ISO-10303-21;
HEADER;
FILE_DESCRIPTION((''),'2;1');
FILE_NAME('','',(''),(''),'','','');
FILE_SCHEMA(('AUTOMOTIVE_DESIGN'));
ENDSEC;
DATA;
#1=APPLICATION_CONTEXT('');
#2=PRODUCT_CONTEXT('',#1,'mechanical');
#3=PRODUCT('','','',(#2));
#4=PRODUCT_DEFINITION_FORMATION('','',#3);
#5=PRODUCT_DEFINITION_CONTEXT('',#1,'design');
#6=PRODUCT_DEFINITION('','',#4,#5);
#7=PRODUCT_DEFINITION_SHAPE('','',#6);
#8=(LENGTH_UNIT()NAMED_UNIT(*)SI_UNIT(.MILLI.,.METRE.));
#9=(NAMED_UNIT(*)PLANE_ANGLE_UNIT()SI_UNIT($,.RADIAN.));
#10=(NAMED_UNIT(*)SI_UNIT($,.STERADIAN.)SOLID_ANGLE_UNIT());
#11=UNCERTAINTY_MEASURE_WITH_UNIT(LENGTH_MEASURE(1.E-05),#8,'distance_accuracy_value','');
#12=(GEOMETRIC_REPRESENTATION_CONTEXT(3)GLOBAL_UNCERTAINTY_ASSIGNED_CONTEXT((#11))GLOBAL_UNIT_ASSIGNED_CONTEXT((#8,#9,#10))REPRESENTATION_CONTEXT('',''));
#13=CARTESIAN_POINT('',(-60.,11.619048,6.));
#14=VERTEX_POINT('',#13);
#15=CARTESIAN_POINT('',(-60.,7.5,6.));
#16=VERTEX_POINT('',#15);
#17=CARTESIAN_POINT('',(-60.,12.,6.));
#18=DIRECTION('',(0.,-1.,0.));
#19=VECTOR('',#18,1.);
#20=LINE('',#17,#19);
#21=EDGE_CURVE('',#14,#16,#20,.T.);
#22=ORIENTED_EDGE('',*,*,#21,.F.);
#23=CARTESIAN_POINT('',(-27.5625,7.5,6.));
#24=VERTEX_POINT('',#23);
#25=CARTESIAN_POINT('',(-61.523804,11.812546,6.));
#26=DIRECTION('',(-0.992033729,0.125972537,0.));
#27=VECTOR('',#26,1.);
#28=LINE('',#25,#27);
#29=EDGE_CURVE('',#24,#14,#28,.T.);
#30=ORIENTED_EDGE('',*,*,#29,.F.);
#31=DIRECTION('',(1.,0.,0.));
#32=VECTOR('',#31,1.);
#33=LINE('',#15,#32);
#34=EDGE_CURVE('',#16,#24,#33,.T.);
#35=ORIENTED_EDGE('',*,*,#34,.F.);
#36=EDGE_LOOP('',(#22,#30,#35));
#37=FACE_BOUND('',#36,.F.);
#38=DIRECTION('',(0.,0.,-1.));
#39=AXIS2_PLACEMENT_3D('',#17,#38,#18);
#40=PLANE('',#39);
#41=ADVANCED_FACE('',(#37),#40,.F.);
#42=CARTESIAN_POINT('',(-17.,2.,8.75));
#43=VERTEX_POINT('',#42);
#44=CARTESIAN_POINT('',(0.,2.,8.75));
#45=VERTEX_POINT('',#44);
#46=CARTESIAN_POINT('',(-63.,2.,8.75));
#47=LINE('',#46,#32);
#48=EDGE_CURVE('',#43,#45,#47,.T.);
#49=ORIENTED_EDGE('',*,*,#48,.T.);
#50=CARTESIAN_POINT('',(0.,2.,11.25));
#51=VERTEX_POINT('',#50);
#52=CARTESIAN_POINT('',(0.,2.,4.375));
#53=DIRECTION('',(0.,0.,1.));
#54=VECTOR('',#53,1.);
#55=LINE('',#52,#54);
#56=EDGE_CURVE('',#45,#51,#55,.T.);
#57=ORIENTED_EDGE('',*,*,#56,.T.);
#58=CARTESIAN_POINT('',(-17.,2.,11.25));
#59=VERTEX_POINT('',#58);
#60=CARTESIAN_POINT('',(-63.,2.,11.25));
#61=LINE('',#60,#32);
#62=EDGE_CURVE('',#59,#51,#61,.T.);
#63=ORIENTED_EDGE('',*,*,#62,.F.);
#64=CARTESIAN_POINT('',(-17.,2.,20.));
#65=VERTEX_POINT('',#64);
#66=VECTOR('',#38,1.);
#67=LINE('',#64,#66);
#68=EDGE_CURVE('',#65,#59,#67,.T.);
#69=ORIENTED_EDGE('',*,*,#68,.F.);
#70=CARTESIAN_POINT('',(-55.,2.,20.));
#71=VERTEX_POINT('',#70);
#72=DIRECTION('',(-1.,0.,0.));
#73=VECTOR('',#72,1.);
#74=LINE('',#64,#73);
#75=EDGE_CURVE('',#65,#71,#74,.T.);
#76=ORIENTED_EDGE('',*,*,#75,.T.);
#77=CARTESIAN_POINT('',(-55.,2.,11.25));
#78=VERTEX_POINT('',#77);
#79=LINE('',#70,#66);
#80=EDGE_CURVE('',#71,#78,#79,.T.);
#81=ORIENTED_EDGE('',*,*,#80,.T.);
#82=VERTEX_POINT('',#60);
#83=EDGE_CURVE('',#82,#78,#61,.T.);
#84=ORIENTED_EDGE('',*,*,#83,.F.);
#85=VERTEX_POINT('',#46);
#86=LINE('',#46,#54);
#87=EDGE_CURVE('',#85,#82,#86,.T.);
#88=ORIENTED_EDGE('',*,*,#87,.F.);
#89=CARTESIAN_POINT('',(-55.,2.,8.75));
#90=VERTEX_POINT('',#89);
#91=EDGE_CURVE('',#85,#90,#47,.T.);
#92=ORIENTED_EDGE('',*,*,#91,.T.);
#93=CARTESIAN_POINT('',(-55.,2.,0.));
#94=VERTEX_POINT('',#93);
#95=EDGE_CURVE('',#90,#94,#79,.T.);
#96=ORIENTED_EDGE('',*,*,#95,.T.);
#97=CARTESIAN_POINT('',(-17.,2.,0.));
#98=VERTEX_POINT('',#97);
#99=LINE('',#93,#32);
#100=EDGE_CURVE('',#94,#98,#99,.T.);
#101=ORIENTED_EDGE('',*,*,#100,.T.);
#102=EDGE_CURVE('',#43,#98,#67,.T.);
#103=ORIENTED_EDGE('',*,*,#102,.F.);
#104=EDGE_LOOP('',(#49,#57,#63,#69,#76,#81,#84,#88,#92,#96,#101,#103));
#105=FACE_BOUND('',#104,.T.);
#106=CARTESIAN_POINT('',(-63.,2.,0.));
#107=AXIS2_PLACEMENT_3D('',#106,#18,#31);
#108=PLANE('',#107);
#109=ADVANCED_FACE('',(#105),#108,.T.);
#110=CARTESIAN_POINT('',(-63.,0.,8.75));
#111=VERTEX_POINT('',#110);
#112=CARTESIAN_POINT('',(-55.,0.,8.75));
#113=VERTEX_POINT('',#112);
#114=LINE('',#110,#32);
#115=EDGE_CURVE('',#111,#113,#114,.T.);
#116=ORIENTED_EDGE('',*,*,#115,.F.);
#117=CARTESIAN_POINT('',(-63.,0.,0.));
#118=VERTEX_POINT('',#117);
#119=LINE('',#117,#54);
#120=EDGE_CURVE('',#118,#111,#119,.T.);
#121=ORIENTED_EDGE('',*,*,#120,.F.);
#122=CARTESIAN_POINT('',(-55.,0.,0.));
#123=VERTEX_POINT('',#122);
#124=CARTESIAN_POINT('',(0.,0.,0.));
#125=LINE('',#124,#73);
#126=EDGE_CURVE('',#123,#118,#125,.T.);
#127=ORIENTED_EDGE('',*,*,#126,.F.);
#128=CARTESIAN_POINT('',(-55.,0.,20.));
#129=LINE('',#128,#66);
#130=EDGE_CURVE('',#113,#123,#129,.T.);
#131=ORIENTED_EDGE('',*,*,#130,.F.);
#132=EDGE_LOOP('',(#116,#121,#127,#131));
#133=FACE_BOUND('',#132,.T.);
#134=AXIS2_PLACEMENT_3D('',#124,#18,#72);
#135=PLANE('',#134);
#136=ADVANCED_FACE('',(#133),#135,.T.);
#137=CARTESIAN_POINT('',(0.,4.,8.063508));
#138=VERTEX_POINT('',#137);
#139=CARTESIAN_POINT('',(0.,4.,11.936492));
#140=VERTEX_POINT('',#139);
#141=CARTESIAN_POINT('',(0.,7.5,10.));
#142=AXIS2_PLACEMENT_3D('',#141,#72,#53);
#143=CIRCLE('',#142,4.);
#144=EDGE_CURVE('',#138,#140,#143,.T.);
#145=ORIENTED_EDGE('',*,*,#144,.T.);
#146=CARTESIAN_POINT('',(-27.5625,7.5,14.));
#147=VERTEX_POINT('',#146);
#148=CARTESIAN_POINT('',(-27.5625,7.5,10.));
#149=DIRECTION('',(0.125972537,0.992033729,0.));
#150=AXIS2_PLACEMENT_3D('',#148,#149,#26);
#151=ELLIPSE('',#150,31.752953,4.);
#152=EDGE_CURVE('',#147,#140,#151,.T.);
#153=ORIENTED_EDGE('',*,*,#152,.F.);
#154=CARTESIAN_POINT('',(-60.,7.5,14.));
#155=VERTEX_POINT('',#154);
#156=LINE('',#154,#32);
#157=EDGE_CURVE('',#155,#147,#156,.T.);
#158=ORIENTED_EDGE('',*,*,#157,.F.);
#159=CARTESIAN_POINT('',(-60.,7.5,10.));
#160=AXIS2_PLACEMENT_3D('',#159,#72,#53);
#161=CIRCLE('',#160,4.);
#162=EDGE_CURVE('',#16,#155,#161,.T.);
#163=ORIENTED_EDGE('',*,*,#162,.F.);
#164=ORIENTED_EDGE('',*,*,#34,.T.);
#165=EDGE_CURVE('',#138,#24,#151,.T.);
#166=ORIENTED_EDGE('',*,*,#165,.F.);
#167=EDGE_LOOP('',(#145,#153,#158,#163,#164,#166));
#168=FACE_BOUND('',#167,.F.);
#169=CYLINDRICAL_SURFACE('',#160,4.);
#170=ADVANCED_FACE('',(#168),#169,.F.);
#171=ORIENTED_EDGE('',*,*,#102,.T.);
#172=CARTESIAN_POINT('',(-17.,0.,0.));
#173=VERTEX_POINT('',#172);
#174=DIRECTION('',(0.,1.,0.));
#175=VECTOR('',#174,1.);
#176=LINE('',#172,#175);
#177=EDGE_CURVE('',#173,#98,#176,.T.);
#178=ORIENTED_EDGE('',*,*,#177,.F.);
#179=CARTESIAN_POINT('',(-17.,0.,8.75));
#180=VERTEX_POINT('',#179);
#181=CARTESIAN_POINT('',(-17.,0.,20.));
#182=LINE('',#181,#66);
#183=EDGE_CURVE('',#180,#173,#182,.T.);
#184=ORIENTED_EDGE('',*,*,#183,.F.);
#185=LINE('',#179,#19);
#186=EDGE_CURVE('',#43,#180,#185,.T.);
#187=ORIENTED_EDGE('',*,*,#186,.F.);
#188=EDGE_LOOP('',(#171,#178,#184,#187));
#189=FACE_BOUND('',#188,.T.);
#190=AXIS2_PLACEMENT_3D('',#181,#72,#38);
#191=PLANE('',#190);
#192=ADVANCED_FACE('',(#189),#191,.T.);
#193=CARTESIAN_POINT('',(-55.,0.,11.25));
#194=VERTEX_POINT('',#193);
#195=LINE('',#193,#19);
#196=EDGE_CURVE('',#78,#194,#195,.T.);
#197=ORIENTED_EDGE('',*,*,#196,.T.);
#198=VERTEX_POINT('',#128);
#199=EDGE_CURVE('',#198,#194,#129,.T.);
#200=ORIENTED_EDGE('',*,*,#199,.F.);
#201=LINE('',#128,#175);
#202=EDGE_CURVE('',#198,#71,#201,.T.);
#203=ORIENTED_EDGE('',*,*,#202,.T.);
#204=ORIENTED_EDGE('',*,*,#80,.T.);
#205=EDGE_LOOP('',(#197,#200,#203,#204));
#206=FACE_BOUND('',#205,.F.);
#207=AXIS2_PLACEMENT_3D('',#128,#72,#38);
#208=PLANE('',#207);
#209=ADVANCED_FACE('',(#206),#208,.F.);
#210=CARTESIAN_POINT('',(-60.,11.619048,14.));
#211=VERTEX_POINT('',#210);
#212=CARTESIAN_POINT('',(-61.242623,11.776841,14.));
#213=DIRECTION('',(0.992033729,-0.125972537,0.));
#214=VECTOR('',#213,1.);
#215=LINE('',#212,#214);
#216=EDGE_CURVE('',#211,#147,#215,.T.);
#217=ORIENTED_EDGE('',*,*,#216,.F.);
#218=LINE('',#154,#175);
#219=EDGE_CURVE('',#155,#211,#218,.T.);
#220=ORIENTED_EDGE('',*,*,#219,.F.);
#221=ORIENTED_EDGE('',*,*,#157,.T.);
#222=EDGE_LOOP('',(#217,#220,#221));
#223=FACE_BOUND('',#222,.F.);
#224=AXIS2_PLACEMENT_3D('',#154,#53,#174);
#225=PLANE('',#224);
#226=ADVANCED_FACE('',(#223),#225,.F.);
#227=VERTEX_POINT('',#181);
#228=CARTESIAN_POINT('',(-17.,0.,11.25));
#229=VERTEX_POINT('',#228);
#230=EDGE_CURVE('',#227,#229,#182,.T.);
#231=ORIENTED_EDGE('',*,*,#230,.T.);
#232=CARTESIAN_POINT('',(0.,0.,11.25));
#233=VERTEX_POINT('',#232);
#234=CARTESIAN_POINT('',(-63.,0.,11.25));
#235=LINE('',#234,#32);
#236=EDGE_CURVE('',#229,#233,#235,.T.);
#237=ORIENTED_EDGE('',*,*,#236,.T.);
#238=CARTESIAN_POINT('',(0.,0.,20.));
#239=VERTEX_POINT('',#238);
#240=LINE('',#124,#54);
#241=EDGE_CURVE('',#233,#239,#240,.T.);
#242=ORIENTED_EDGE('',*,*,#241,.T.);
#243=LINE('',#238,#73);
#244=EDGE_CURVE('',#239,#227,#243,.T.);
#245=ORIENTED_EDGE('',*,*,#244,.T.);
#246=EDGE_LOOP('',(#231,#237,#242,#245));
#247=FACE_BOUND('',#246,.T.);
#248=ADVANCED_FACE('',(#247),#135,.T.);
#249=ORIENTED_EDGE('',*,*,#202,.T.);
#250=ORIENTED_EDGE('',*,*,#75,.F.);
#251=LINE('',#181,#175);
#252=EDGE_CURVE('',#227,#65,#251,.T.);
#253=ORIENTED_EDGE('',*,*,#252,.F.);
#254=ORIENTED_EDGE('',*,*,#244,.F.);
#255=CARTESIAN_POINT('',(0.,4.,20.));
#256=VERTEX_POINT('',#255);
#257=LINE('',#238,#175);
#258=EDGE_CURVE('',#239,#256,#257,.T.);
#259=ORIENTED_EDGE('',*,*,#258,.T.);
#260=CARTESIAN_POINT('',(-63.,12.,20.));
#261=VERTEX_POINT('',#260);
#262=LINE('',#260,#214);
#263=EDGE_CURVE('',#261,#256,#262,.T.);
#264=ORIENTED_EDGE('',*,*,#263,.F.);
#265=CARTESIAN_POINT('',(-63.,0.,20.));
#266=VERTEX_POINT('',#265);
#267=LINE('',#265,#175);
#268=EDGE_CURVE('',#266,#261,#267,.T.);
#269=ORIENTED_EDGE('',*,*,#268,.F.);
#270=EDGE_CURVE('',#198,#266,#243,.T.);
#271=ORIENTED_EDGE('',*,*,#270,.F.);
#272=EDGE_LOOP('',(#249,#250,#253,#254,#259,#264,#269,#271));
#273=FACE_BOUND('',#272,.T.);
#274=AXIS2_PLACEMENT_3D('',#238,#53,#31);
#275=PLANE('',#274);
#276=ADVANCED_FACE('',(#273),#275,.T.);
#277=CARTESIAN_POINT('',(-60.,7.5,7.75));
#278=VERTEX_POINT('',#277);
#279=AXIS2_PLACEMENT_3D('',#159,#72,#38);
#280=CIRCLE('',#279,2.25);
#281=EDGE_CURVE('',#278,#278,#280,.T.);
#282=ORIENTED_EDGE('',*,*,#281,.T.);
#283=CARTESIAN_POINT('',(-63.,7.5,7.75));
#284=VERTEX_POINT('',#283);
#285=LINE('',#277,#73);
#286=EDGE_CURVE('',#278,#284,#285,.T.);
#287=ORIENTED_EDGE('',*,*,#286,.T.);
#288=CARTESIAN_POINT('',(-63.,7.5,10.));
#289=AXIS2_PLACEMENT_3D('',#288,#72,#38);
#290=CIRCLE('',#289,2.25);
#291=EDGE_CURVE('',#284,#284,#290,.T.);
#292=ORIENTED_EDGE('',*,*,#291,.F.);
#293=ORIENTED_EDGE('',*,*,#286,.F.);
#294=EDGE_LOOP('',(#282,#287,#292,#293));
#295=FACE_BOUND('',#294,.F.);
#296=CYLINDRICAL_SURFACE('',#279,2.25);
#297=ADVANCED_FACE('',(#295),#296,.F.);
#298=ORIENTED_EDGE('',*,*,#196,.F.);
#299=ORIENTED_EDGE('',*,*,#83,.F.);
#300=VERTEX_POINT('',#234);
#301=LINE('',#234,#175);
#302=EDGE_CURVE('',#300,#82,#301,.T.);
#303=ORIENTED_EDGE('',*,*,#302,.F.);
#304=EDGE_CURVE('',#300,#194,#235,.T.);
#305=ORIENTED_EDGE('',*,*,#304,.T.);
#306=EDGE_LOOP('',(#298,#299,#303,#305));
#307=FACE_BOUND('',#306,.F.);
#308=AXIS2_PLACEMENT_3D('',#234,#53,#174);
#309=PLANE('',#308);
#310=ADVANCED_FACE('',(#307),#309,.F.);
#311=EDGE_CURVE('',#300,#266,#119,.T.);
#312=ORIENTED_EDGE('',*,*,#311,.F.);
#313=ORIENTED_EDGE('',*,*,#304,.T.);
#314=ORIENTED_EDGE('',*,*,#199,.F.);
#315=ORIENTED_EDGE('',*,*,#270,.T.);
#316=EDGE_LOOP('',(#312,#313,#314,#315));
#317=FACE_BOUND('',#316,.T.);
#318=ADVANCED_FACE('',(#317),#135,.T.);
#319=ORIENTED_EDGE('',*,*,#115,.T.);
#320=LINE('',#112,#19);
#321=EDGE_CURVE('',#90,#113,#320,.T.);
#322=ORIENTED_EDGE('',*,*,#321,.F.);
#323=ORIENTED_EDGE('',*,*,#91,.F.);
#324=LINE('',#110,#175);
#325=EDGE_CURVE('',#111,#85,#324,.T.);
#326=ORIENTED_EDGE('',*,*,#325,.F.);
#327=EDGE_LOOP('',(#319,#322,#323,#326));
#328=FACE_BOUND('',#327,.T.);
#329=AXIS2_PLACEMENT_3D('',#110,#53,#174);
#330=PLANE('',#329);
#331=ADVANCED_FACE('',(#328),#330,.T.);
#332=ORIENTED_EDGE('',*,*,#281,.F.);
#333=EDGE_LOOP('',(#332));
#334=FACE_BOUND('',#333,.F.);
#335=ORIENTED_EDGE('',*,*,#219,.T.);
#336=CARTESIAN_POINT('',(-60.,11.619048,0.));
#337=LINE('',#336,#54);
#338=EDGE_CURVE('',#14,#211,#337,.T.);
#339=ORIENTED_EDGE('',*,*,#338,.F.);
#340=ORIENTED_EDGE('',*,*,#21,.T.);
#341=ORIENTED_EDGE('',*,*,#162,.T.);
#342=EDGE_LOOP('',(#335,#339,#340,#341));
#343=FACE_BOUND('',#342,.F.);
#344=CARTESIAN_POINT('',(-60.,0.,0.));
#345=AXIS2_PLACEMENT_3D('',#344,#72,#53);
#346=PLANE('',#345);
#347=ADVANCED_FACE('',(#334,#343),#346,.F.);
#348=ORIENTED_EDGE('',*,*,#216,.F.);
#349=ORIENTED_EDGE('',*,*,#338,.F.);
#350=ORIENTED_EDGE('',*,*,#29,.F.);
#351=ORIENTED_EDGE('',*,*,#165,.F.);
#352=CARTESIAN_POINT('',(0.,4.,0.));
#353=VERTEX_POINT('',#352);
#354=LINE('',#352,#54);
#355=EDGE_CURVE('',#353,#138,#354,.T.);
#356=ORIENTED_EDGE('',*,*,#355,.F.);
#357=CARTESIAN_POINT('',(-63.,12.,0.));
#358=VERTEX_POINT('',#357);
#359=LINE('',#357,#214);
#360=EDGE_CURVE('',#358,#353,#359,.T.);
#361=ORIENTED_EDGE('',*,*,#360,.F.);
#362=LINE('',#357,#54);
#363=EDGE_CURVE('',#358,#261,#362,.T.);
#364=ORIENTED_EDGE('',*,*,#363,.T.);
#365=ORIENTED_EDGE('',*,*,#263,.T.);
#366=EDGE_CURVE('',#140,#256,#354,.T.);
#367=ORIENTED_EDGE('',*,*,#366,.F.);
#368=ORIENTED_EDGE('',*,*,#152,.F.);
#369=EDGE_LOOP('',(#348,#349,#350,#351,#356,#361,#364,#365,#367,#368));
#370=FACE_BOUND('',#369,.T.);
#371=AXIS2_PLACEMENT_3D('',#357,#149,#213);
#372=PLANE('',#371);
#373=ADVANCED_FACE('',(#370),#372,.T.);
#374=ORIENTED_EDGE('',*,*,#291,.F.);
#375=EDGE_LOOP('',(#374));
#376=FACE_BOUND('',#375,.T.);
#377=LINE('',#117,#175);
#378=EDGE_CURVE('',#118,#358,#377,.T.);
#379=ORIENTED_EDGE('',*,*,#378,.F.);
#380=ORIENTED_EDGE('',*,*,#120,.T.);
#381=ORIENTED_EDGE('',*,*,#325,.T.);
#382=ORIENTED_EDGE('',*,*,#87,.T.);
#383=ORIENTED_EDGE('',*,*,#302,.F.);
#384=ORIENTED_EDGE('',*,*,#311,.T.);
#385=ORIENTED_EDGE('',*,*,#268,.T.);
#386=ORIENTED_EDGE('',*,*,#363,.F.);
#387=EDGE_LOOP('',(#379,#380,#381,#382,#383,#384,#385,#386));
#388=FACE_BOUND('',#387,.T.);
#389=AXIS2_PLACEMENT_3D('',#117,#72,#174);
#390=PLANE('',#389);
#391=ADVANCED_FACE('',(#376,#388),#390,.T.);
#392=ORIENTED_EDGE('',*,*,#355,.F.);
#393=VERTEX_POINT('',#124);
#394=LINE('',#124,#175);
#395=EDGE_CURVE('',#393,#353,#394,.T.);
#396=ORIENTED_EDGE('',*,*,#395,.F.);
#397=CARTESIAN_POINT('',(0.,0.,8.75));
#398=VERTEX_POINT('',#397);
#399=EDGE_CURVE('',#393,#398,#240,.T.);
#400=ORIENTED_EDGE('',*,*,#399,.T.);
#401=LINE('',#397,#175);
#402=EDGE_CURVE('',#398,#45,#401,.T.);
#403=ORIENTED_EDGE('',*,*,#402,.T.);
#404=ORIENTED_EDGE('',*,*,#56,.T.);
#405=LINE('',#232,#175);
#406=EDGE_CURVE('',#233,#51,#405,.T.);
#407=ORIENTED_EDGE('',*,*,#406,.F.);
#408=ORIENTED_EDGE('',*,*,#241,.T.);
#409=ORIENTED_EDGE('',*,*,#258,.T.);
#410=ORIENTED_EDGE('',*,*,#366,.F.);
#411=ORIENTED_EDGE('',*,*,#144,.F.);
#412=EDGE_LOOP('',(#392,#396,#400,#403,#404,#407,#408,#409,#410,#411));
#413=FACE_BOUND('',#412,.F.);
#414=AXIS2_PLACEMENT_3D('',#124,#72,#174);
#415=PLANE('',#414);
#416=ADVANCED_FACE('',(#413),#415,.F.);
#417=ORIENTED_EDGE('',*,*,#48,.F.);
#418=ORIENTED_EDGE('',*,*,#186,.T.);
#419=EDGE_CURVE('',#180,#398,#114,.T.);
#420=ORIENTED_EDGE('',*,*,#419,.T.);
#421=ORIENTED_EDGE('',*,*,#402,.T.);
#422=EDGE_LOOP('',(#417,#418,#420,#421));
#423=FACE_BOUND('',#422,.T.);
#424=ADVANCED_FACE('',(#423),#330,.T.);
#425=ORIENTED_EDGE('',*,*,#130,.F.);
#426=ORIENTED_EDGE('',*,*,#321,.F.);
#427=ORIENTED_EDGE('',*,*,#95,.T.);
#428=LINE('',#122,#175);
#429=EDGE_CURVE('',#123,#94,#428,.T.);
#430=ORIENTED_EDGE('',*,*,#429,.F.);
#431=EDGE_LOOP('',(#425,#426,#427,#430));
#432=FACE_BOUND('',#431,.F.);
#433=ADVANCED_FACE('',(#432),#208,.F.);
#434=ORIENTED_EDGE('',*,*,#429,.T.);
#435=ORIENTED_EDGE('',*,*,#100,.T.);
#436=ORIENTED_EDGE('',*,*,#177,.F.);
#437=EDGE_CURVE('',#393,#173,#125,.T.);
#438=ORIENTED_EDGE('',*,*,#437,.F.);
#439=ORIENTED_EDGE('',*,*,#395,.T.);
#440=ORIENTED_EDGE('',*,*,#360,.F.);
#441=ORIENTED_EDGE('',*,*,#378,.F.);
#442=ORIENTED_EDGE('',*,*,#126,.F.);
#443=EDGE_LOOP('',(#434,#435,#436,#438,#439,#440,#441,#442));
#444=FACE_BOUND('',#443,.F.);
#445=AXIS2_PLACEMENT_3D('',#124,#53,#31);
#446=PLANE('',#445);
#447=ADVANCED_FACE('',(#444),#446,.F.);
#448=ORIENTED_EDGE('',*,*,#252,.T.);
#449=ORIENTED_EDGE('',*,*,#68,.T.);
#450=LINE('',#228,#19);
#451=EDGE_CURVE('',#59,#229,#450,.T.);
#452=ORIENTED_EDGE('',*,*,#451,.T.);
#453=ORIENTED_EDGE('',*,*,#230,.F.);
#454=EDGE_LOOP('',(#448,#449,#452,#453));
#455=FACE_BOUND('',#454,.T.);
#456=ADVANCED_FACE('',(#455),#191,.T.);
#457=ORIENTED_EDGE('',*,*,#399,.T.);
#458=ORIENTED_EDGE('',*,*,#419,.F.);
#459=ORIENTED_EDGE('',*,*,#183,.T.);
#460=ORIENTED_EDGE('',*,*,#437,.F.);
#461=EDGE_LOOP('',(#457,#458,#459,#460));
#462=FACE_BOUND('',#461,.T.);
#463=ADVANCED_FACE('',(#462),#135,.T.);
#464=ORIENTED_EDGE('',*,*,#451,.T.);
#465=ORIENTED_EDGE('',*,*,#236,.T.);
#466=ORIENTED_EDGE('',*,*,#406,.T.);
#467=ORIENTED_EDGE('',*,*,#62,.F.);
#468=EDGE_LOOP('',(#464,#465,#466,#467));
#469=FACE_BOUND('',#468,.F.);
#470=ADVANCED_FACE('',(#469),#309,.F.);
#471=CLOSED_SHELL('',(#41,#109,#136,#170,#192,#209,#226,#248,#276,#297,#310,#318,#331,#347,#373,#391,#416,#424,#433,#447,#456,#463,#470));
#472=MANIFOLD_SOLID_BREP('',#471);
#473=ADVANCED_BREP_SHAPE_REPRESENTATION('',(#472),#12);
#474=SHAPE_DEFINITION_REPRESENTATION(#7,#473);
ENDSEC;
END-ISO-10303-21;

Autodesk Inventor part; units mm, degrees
ref_plane "YZ Plane" through (0, 0, 0) normal (1, 0, 0) x (0, 1, 0)
ref_plane "XZ Plane" through (0, 0, 0) normal (0, 1, 0) x (-1, 0, 0)
ref_plane "XY Plane" through (0, 0, 0) normal (0, 0, 1) x (1, 0, 0)
sketch "Sketch1" plane through (0, 0, 0) normal (0, 0, 1) x (1, 0, 0)
  line L0 (0, 0) -> (0, 4)
  line L1 (0, 0) -> (-63, 0)
  line L2 (-63, 0) -> (-63, 12)
  line L3 (-63, 12) -> (0, 4)
  dimension "d0" = 4
  dimension "d1" = 63
  dimension "d2" = 12
extrude "Extrusion1" add sketch "Sketch1" along normal blind 20
sketch "Sketch2" plane through (-63, 0, 0) normal (-1, 0, 0) x (0, 0, 1)
  line L0 (0, 0) -> (20, 0) projected
  line L1 (10, 0) -> (8.75, 0)
  line L2 (8.75, 0) -> (8.75, 2)
  line L3 (8.75, 2) -> (10, 2)
  line L4 (10, 2) -> (10, 0)
  line L5 (10, 0) -> (11.25, 0)
  line L6 (11.25, 0) -> (11.25, 2)
  line L7 (11.25, 2) -> (10, 2)
  line L8 (10, 2) -> (10, 0)
  line L9 (0, 0) -> (20, 0) projected
  dimension "d5" = 1.25
  dimension "d6" = 2
  dimension "d7" = 1.25
extrude "Extrusion2" cut sketch "Sketch2" against normal through all
ref_plane "Work Plane1" through (-60, 0, 0) normal (-1, 0, 0) x (0, 0, 1)
sketch "Sketch3" plane through (-60, 0, 0) normal (-1, 0, 0) x (0, 0, 1)
  line L0 (0, 12) -> (20, 12) projected
  circle A0 centre (10, 7.5) radius 4
  line L1 (6, 7.5) -> (14, 7.5)
  line L2 (14, 7.5) -> (14, 12)
  line L3 (14, 12) -> (6, 12)
  line L4 (6, 12) -> (6, 7.5)
  line L5 (20, 4) -> (20, 12) projected
  point P0 (0, 0)
  dimension "d12" = 8
  dimension "d11" = 4.5
  dimension "d27" = 10
extrude "Extrusion3" cut sketch "Sketch3" against normal through all
hole "Hole1" at (-60, 7.5, 10) direction (-1, 0, 0) diameter 4.5 end through all
sketch "Sketch4" plane through (-63, 0, 0) normal (0, -1, 0) x (1, 0, 0)
  point P0 (63, 0)
sketch "Sketch5" plane through (-63, 0, 0) normal (0, -1, 0) x (1, 0, 0)
  line L0 (46, 20) -> (46, 0)
  line L1 (8, 0) -> (46, 0)
  line L2 (46, 0) -> (46, 20)
  line L3 (46, 20) -> (8, 20)
  line L4 (8, 20) -> (8, 0)
  point P0 (0, 0)
  dimension "d23" = 46
  dimension "d26" = 8
extrude "Extrusion4" cut sketch "Sketch5" against normal up to surface (2 mm away)
properties part number "support_lcd_v2"
